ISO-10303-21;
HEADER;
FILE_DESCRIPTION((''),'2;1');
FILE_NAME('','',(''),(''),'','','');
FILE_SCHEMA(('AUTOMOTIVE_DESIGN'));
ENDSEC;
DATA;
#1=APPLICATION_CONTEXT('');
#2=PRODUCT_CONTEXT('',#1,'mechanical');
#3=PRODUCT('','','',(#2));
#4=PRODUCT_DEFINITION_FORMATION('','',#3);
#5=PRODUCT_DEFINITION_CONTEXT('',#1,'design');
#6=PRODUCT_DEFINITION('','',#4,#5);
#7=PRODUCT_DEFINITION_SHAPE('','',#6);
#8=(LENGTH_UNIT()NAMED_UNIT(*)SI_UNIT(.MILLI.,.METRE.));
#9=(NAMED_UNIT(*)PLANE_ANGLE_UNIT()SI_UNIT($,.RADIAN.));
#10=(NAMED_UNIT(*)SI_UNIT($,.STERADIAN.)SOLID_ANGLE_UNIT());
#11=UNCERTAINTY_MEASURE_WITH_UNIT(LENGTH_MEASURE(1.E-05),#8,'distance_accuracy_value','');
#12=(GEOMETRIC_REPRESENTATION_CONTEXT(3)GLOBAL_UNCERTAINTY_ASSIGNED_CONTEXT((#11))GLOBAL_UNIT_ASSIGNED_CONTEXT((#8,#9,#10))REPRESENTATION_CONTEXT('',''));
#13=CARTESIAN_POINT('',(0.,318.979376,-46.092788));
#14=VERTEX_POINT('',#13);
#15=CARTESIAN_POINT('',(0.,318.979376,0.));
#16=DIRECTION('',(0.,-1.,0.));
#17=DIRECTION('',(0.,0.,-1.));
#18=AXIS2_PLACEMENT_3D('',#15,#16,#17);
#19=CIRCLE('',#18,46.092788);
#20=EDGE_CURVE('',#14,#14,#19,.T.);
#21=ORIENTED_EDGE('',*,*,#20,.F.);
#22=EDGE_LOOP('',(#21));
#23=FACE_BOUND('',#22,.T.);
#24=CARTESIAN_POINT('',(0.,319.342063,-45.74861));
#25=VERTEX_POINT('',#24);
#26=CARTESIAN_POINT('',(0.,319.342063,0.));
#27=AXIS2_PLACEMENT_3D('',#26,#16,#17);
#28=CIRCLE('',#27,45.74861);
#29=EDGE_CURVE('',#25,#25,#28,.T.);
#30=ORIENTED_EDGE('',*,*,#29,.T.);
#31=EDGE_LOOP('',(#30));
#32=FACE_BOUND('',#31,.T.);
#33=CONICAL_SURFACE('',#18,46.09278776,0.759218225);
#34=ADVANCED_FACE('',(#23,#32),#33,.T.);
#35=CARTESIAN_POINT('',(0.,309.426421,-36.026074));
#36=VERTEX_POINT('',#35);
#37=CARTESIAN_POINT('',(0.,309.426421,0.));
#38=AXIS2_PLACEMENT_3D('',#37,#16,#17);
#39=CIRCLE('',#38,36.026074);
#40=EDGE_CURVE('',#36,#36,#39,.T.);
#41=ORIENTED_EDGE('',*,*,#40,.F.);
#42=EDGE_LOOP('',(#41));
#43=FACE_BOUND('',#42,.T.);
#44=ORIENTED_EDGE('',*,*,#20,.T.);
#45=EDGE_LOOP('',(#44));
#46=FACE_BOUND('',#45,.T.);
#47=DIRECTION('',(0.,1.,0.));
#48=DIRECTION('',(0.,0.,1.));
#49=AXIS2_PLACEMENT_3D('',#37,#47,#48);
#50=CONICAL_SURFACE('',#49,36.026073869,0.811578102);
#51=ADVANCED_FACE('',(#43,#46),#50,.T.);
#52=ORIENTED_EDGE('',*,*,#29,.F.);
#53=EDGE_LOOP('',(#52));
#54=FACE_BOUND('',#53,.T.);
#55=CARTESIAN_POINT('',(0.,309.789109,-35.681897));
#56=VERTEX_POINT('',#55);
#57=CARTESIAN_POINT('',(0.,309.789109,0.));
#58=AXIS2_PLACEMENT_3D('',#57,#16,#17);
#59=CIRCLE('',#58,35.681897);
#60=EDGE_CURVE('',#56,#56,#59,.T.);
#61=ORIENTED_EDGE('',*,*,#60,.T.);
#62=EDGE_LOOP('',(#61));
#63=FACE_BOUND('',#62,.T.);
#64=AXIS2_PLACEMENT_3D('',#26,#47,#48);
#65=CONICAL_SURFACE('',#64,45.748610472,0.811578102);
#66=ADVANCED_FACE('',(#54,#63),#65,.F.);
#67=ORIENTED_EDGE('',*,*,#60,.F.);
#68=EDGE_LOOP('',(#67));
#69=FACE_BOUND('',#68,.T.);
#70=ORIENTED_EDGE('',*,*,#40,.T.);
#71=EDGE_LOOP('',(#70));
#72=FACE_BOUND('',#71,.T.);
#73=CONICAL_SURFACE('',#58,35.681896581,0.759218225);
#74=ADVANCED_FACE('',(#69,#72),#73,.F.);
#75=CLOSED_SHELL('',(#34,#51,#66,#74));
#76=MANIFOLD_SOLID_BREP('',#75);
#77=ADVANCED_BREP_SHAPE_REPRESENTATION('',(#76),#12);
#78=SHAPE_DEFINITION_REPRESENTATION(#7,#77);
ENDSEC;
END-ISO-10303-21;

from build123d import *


with BuildPart() as part:
    # reflector → Revolve10 (revolve)
    with BuildSketch(Plane(origin=(0, 0, 0), x_dir=(0, 0, -1), z_dir=(1, 0, 0))):
        Polygon((36.026073869, 309.426421451), (35.681896581, 309.789108636), (45.748610472, 319.342063422), (46.09278776, 318.979376237), align=None)
    revolve(axis=Axis((0, 0, 0), (0, 1, 0)))


solid = part.part
